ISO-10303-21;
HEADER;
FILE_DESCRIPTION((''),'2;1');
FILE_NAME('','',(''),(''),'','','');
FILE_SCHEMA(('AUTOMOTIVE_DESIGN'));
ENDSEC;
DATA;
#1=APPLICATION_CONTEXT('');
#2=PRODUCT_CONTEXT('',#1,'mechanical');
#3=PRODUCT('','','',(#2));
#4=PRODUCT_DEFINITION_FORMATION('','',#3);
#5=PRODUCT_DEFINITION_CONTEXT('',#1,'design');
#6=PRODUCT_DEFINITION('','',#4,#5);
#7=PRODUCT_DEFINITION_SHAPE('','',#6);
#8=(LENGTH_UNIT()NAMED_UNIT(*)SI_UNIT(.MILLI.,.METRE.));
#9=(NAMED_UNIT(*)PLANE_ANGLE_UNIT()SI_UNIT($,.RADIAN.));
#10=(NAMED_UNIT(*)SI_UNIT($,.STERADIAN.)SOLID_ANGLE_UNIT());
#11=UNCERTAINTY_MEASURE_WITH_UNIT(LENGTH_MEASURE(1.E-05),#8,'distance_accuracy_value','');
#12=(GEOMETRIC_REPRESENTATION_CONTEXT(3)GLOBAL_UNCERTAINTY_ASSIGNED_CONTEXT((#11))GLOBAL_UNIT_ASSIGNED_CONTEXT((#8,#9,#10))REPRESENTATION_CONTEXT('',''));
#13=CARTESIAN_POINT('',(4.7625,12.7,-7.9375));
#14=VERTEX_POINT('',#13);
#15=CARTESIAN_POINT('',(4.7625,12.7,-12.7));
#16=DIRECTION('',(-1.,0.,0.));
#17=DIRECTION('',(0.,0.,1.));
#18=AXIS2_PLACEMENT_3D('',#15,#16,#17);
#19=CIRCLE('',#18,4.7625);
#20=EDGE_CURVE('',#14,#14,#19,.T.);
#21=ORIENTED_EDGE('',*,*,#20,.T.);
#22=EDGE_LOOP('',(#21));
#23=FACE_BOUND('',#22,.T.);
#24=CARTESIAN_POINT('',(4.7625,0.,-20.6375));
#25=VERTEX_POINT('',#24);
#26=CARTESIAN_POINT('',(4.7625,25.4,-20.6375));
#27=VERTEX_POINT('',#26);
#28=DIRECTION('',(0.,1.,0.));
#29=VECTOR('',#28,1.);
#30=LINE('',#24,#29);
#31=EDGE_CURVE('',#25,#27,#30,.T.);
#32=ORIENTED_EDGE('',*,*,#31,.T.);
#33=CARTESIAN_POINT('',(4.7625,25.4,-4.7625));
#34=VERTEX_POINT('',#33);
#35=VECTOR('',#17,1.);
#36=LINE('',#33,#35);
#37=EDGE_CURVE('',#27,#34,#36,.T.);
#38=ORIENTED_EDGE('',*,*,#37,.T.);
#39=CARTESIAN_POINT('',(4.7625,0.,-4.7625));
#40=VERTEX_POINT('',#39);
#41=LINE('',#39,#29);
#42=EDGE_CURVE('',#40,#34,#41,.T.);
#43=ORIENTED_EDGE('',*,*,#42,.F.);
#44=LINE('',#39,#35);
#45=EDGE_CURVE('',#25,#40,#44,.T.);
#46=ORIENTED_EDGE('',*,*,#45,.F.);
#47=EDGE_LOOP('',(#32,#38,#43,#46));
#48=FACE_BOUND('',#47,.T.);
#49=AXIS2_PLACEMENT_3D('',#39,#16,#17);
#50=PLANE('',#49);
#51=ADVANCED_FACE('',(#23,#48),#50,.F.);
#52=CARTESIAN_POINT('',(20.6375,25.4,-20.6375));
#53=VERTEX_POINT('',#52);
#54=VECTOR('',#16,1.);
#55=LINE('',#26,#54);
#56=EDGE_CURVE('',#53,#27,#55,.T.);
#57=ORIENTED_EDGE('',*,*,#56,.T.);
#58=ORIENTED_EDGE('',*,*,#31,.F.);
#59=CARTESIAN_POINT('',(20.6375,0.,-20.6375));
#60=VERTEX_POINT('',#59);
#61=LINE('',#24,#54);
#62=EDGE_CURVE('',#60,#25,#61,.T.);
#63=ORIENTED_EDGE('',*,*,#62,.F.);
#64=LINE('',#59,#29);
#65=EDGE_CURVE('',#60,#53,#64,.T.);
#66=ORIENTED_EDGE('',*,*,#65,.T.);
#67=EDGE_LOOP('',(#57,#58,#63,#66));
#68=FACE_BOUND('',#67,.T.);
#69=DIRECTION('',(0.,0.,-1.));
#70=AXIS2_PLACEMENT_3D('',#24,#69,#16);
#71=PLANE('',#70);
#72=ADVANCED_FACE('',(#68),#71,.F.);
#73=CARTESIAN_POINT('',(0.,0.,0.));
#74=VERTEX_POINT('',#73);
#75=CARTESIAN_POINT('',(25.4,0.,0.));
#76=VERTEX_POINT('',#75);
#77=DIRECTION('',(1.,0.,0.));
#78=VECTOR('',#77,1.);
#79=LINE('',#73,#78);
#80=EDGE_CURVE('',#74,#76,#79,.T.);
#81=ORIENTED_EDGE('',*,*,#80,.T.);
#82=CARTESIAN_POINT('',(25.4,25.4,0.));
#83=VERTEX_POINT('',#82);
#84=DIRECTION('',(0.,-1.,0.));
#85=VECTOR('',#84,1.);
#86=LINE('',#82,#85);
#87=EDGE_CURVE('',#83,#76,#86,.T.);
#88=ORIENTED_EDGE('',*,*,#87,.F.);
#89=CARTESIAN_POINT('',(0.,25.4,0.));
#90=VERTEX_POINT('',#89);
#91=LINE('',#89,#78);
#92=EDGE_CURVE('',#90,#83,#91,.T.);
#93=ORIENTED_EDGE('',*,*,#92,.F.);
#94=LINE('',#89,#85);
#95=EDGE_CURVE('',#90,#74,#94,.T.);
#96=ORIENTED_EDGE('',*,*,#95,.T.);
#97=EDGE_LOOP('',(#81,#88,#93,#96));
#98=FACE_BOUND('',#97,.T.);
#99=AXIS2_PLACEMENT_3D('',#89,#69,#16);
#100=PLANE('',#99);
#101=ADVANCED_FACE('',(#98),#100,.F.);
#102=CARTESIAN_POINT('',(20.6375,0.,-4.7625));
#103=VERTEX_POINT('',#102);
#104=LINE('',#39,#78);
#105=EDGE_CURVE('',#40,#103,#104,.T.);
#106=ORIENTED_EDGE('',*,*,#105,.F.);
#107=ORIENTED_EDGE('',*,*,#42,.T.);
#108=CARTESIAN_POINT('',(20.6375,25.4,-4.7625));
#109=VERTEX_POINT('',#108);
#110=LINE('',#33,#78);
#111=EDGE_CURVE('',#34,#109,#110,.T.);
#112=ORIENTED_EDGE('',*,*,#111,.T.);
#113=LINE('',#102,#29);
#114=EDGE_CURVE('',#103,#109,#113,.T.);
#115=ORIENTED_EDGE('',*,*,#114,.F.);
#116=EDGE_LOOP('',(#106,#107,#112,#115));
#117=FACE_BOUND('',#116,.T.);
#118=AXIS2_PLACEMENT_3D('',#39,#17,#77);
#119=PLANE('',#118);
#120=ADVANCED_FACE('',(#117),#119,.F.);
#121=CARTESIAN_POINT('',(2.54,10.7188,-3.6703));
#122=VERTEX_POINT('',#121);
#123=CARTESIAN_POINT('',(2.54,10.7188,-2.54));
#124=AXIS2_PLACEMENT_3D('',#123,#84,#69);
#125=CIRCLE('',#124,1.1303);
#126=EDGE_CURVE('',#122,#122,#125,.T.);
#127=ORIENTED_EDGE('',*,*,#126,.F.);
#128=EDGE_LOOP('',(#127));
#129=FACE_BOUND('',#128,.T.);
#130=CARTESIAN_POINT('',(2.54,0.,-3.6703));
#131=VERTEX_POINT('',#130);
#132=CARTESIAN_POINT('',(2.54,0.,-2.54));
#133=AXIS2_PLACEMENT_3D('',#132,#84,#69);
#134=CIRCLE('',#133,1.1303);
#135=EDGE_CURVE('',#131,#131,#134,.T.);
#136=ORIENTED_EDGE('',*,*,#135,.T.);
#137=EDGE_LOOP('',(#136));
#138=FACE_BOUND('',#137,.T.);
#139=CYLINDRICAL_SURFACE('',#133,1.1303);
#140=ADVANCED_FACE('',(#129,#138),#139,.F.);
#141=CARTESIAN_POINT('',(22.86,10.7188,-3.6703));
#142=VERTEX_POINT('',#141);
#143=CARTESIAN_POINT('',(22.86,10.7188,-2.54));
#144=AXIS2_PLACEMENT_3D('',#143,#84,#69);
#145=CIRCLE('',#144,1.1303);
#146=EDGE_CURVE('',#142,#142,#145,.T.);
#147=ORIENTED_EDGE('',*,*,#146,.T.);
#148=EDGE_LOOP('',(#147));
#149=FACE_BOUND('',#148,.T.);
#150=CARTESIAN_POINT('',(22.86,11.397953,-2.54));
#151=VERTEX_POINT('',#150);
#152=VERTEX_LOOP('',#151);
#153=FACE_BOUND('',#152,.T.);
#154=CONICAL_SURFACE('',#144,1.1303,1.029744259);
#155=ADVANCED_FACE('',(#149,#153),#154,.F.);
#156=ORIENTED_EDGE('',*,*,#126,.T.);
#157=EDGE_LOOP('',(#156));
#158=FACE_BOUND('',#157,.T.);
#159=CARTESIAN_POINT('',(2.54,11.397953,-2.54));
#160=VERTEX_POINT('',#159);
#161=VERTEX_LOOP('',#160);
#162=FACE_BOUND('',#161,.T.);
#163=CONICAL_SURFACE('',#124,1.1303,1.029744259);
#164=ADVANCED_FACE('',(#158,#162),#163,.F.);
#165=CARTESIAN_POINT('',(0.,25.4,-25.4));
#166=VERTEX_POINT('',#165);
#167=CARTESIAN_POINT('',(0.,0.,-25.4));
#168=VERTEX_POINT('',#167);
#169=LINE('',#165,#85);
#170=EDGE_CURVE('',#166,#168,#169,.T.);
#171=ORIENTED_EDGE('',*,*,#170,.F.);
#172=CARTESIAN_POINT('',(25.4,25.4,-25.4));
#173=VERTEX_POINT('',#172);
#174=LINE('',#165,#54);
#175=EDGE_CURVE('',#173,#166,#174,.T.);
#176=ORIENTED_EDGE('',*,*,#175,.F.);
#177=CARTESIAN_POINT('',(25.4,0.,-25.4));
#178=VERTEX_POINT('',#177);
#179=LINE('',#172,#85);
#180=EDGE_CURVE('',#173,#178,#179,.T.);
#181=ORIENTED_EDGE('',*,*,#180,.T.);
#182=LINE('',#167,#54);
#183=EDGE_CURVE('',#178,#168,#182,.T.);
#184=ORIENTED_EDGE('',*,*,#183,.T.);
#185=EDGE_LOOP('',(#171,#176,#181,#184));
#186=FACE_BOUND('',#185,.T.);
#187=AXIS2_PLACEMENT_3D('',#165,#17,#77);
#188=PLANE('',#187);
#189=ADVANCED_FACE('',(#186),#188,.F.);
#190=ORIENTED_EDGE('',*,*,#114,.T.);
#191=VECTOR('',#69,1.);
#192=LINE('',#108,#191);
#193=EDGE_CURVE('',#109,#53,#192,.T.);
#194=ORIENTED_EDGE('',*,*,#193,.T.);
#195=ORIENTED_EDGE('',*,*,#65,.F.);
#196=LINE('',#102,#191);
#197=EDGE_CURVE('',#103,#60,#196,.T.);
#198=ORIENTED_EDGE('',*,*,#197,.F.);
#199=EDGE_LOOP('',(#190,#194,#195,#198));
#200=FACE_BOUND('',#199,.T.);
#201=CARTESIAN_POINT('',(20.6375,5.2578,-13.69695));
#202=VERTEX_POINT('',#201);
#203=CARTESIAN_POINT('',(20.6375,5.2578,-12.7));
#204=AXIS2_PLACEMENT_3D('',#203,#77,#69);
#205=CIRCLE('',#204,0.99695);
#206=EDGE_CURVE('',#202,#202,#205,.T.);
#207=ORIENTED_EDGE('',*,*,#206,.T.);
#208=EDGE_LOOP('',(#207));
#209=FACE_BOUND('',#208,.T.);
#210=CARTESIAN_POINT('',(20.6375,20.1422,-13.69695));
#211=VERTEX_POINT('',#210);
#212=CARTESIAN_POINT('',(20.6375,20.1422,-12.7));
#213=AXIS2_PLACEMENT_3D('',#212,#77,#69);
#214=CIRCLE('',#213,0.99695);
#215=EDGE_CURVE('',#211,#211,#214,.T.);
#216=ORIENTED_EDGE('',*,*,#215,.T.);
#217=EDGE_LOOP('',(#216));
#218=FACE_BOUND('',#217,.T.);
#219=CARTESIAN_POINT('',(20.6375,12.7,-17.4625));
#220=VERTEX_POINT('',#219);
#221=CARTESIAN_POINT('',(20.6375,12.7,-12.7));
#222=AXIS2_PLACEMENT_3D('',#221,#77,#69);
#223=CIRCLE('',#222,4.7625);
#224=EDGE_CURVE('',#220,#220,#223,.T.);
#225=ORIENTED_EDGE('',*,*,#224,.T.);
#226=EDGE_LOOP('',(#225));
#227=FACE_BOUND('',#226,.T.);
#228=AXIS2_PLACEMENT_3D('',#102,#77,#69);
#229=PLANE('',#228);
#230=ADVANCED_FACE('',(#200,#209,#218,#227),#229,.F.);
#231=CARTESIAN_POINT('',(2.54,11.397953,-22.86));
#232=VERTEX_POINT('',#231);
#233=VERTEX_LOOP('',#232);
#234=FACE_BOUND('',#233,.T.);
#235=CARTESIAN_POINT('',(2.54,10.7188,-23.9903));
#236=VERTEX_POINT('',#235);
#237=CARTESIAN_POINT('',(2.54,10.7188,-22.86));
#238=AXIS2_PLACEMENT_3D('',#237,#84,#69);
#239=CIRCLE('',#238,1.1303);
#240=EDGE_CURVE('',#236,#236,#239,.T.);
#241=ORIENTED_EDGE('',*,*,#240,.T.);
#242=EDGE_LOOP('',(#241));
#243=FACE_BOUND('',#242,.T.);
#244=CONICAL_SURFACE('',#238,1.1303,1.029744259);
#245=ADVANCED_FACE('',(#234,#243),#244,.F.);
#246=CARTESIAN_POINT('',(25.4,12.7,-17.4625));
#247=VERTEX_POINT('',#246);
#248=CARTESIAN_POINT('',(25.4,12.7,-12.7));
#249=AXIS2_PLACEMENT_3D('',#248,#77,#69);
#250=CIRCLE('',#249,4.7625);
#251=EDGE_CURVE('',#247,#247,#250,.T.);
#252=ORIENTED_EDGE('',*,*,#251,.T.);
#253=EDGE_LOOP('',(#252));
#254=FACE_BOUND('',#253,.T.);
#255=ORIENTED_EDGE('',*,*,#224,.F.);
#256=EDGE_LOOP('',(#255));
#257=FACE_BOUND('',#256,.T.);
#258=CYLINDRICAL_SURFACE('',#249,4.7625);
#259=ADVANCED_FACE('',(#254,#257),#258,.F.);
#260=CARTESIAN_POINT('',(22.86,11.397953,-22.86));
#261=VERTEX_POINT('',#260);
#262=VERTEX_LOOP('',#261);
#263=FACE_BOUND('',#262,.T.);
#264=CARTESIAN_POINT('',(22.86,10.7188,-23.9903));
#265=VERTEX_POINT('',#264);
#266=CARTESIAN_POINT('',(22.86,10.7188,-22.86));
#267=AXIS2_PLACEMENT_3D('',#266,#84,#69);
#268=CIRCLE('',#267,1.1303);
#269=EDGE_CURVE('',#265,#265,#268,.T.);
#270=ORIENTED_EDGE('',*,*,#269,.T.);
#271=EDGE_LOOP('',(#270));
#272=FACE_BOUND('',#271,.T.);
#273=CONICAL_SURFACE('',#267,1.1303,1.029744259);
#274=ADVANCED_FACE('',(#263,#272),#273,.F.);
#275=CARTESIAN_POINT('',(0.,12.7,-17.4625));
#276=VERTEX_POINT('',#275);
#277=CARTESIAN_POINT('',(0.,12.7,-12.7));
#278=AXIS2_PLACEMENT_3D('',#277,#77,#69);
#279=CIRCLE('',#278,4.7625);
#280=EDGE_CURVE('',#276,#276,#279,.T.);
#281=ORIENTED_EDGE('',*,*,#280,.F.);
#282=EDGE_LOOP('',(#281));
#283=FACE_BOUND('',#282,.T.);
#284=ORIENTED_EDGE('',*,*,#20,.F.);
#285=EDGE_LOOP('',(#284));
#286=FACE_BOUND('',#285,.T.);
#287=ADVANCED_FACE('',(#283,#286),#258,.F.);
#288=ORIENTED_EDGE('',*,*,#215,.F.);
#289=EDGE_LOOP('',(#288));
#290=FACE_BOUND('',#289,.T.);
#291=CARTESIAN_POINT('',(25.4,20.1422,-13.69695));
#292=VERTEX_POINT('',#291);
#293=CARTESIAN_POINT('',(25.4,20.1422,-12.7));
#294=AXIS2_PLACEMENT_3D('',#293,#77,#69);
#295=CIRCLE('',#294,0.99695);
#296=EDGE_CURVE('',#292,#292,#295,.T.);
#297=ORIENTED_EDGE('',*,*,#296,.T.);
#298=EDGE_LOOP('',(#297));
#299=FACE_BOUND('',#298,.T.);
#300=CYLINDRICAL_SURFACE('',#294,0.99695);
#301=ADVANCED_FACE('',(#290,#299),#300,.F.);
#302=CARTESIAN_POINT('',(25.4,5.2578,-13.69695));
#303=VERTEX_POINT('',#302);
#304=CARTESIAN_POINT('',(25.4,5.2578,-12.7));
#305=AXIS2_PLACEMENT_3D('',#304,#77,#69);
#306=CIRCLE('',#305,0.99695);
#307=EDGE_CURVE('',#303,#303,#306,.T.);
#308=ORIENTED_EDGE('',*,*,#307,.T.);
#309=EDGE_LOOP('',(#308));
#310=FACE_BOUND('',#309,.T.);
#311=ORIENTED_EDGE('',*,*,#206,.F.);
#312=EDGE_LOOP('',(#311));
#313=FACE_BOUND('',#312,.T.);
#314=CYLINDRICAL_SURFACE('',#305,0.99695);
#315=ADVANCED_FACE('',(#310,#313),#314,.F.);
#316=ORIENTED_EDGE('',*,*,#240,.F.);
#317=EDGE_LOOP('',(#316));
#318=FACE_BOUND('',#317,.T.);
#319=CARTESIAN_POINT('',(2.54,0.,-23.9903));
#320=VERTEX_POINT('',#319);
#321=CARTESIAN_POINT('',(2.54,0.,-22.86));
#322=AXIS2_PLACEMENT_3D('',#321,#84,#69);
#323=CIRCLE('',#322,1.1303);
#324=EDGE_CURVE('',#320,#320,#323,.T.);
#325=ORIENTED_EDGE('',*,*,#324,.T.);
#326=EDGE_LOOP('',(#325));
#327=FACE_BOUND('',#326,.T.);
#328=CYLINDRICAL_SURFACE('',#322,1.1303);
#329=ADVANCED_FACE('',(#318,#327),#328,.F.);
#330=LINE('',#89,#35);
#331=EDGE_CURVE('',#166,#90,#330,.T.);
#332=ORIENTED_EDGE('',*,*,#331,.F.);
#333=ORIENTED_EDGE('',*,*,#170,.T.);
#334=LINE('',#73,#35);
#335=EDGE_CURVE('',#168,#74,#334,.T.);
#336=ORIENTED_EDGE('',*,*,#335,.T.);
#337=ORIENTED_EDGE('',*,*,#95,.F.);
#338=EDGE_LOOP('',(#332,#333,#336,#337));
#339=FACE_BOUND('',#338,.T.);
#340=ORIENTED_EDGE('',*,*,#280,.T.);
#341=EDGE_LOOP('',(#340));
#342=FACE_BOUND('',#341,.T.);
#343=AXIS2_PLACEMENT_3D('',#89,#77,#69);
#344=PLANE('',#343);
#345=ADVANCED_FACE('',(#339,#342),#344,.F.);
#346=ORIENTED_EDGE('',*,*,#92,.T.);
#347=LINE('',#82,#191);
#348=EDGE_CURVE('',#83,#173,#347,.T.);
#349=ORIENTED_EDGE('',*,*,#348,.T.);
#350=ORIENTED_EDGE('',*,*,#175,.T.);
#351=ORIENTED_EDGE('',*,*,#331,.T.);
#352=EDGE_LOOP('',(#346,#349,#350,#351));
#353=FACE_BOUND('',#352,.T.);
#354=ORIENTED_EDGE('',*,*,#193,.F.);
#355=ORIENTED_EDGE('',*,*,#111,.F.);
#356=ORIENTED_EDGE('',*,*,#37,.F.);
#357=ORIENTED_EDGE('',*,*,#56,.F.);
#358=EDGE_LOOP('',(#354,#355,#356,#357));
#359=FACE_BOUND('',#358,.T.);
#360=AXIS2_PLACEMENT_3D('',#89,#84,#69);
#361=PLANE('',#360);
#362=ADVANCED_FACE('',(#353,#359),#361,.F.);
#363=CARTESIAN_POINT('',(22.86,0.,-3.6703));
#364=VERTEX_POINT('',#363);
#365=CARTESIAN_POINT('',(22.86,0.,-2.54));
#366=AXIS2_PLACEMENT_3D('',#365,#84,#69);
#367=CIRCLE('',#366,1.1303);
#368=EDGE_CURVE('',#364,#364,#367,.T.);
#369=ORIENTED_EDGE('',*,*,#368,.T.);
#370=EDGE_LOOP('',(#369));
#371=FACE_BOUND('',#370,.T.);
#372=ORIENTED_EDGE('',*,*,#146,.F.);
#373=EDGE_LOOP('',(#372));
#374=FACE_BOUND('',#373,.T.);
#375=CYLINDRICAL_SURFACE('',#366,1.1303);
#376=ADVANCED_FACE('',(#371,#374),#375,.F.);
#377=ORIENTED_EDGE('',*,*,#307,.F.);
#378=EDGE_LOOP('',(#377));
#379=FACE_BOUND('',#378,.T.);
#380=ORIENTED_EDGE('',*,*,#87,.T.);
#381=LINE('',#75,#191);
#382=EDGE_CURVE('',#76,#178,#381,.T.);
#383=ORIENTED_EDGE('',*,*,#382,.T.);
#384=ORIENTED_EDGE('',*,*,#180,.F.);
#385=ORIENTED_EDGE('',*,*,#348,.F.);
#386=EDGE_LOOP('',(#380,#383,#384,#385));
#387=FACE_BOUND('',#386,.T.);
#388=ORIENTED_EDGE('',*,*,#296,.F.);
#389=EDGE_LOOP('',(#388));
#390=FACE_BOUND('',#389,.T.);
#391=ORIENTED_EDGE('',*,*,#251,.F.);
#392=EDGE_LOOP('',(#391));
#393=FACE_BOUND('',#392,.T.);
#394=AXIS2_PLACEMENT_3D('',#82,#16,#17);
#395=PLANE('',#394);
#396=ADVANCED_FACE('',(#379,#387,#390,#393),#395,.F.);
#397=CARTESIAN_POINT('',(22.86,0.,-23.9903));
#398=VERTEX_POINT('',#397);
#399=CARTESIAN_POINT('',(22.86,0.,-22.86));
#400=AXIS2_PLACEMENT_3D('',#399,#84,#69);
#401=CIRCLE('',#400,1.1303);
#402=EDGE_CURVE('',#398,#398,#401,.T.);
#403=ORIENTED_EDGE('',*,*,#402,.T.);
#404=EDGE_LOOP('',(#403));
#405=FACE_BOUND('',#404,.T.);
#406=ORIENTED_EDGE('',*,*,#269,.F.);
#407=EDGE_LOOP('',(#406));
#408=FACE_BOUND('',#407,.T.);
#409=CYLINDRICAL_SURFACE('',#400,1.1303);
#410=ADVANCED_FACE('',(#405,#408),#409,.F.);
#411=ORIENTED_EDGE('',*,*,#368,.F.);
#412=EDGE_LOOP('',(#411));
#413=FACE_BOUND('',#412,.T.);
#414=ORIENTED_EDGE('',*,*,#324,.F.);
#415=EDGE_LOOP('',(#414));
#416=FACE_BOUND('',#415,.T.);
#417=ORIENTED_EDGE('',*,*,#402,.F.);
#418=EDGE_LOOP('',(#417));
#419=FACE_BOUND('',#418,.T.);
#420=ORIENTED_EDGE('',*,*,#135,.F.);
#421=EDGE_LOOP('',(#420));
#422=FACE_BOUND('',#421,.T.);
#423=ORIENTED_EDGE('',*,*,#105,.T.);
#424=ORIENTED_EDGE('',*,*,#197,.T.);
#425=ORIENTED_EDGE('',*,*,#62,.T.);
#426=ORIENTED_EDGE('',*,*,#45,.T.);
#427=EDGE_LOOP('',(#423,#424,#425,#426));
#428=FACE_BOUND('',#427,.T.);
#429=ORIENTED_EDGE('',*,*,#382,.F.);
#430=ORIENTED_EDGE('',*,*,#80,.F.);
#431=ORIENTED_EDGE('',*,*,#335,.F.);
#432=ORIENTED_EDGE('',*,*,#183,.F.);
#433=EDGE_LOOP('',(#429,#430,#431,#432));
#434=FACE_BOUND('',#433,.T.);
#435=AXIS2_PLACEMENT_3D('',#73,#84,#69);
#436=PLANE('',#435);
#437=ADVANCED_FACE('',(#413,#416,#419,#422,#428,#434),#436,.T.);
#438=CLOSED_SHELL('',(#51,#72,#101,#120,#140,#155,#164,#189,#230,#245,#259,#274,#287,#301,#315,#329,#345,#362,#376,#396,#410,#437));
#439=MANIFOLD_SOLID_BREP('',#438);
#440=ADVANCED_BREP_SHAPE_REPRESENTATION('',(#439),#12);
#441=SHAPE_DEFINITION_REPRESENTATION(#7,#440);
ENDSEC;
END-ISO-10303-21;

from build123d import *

# Parameters (mm, degrees)
SKETCH1_W                     = 25.4
SKETCH1_H                     = 25.4
BOSS_EXTRUDE1_DEPTH           = 25.4
SKETCH2_W                     = 15.875
SKETCH2_H                     = 15.875
CUT_EXTRUDE1_DEPTH            = 26.4
TAP_DRILL_FOR_4_40_TAP1_D     = 2.2606
TAP_DRILL_FOR_4_40_TAP1_DEPTH = 10.7188
TAP_DRILL_FOR_4_40_TAP1_TIP   = 0.679152758
F_3_8_0_375_DIAMETER_HOLE1_D  = 9.525
TAP_DRILL_FOR_3_48_TAP1_D     = 1.9939
TAP_DRILL_FOR_3_48_TAP1_DEPTH = 4.7625


with BuildPart() as part:
    # Sketch1 → Boss-Extrude1 (new body)
    with BuildSketch(Plane(origin=(0, 0, 0), x_dir=(1, 0, 0), z_dir=(0, 1, 0))):
        with Locations((12.7, 12.7)):
            Rectangle(SKETCH1_W, SKETCH1_H)
    extrude(amount=BOSS_EXTRUDE1_DEPTH)

    # Sketch2 → Cut-Extrude1 (cut, through all)
    with BuildSketch(Plane(origin=(0, 25.4, 0), x_dir=(1, 0, 0), z_dir=(0, 1, 0))):
        with Locations((12.7, 12.7)):
            Rectangle(SKETCH2_W, SKETCH2_H)
    extrude(amount=-CUT_EXTRUDE1_DEPTH, mode=Mode.SUBTRACT)

    # Tap Drill for #4-40 Tap1
    with Locations(Plane(origin=(0, 0, 0), x_dir=(-1, 0, 0), z_dir=(0, -1, 0))):
        with Locations((-2.54, 2.54), (-22.86, 2.54), (-22.86, 22.86), (-2.54, 22.86)):
            Hole(TAP_DRILL_FOR_4_40_TAP1_D / 2, depth=TAP_DRILL_FOR_4_40_TAP1_DEPTH)
            with Locations((0, 0, -(TAP_DRILL_FOR_4_40_TAP1_DEPTH + TAP_DRILL_FOR_4_40_TAP1_TIP / 2))):  # 118° drill point
                Cone(0, TAP_DRILL_FOR_4_40_TAP1_D / 2, TAP_DRILL_FOR_4_40_TAP1_TIP, mode=Mode.SUBTRACT)

    # 3/8 (0.375) Diameter Hole1 (through all)
    with Locations(Plane(origin=(25.4, 0, 0), x_dir=(0, 0, -1), z_dir=(1, 0, 0))):
        with Locations((12.7, 12.7)):
            Hole(F_3_8_0_375_DIAMETER_HOLE1_D / 2)

    # Tap Drill for #3-48 Tap1
    with Locations(Plane(origin=(25.4, 0, 0), x_dir=(0, 0, -1), z_dir=(1, 0, 0))):
        with Locations((12.7, 20.1422), (12.7, 5.2578)):
            Hole(TAP_DRILL_FOR_3_48_TAP1_D / 2, depth=TAP_DRILL_FOR_3_48_TAP1_DEPTH)


solid = part.part
